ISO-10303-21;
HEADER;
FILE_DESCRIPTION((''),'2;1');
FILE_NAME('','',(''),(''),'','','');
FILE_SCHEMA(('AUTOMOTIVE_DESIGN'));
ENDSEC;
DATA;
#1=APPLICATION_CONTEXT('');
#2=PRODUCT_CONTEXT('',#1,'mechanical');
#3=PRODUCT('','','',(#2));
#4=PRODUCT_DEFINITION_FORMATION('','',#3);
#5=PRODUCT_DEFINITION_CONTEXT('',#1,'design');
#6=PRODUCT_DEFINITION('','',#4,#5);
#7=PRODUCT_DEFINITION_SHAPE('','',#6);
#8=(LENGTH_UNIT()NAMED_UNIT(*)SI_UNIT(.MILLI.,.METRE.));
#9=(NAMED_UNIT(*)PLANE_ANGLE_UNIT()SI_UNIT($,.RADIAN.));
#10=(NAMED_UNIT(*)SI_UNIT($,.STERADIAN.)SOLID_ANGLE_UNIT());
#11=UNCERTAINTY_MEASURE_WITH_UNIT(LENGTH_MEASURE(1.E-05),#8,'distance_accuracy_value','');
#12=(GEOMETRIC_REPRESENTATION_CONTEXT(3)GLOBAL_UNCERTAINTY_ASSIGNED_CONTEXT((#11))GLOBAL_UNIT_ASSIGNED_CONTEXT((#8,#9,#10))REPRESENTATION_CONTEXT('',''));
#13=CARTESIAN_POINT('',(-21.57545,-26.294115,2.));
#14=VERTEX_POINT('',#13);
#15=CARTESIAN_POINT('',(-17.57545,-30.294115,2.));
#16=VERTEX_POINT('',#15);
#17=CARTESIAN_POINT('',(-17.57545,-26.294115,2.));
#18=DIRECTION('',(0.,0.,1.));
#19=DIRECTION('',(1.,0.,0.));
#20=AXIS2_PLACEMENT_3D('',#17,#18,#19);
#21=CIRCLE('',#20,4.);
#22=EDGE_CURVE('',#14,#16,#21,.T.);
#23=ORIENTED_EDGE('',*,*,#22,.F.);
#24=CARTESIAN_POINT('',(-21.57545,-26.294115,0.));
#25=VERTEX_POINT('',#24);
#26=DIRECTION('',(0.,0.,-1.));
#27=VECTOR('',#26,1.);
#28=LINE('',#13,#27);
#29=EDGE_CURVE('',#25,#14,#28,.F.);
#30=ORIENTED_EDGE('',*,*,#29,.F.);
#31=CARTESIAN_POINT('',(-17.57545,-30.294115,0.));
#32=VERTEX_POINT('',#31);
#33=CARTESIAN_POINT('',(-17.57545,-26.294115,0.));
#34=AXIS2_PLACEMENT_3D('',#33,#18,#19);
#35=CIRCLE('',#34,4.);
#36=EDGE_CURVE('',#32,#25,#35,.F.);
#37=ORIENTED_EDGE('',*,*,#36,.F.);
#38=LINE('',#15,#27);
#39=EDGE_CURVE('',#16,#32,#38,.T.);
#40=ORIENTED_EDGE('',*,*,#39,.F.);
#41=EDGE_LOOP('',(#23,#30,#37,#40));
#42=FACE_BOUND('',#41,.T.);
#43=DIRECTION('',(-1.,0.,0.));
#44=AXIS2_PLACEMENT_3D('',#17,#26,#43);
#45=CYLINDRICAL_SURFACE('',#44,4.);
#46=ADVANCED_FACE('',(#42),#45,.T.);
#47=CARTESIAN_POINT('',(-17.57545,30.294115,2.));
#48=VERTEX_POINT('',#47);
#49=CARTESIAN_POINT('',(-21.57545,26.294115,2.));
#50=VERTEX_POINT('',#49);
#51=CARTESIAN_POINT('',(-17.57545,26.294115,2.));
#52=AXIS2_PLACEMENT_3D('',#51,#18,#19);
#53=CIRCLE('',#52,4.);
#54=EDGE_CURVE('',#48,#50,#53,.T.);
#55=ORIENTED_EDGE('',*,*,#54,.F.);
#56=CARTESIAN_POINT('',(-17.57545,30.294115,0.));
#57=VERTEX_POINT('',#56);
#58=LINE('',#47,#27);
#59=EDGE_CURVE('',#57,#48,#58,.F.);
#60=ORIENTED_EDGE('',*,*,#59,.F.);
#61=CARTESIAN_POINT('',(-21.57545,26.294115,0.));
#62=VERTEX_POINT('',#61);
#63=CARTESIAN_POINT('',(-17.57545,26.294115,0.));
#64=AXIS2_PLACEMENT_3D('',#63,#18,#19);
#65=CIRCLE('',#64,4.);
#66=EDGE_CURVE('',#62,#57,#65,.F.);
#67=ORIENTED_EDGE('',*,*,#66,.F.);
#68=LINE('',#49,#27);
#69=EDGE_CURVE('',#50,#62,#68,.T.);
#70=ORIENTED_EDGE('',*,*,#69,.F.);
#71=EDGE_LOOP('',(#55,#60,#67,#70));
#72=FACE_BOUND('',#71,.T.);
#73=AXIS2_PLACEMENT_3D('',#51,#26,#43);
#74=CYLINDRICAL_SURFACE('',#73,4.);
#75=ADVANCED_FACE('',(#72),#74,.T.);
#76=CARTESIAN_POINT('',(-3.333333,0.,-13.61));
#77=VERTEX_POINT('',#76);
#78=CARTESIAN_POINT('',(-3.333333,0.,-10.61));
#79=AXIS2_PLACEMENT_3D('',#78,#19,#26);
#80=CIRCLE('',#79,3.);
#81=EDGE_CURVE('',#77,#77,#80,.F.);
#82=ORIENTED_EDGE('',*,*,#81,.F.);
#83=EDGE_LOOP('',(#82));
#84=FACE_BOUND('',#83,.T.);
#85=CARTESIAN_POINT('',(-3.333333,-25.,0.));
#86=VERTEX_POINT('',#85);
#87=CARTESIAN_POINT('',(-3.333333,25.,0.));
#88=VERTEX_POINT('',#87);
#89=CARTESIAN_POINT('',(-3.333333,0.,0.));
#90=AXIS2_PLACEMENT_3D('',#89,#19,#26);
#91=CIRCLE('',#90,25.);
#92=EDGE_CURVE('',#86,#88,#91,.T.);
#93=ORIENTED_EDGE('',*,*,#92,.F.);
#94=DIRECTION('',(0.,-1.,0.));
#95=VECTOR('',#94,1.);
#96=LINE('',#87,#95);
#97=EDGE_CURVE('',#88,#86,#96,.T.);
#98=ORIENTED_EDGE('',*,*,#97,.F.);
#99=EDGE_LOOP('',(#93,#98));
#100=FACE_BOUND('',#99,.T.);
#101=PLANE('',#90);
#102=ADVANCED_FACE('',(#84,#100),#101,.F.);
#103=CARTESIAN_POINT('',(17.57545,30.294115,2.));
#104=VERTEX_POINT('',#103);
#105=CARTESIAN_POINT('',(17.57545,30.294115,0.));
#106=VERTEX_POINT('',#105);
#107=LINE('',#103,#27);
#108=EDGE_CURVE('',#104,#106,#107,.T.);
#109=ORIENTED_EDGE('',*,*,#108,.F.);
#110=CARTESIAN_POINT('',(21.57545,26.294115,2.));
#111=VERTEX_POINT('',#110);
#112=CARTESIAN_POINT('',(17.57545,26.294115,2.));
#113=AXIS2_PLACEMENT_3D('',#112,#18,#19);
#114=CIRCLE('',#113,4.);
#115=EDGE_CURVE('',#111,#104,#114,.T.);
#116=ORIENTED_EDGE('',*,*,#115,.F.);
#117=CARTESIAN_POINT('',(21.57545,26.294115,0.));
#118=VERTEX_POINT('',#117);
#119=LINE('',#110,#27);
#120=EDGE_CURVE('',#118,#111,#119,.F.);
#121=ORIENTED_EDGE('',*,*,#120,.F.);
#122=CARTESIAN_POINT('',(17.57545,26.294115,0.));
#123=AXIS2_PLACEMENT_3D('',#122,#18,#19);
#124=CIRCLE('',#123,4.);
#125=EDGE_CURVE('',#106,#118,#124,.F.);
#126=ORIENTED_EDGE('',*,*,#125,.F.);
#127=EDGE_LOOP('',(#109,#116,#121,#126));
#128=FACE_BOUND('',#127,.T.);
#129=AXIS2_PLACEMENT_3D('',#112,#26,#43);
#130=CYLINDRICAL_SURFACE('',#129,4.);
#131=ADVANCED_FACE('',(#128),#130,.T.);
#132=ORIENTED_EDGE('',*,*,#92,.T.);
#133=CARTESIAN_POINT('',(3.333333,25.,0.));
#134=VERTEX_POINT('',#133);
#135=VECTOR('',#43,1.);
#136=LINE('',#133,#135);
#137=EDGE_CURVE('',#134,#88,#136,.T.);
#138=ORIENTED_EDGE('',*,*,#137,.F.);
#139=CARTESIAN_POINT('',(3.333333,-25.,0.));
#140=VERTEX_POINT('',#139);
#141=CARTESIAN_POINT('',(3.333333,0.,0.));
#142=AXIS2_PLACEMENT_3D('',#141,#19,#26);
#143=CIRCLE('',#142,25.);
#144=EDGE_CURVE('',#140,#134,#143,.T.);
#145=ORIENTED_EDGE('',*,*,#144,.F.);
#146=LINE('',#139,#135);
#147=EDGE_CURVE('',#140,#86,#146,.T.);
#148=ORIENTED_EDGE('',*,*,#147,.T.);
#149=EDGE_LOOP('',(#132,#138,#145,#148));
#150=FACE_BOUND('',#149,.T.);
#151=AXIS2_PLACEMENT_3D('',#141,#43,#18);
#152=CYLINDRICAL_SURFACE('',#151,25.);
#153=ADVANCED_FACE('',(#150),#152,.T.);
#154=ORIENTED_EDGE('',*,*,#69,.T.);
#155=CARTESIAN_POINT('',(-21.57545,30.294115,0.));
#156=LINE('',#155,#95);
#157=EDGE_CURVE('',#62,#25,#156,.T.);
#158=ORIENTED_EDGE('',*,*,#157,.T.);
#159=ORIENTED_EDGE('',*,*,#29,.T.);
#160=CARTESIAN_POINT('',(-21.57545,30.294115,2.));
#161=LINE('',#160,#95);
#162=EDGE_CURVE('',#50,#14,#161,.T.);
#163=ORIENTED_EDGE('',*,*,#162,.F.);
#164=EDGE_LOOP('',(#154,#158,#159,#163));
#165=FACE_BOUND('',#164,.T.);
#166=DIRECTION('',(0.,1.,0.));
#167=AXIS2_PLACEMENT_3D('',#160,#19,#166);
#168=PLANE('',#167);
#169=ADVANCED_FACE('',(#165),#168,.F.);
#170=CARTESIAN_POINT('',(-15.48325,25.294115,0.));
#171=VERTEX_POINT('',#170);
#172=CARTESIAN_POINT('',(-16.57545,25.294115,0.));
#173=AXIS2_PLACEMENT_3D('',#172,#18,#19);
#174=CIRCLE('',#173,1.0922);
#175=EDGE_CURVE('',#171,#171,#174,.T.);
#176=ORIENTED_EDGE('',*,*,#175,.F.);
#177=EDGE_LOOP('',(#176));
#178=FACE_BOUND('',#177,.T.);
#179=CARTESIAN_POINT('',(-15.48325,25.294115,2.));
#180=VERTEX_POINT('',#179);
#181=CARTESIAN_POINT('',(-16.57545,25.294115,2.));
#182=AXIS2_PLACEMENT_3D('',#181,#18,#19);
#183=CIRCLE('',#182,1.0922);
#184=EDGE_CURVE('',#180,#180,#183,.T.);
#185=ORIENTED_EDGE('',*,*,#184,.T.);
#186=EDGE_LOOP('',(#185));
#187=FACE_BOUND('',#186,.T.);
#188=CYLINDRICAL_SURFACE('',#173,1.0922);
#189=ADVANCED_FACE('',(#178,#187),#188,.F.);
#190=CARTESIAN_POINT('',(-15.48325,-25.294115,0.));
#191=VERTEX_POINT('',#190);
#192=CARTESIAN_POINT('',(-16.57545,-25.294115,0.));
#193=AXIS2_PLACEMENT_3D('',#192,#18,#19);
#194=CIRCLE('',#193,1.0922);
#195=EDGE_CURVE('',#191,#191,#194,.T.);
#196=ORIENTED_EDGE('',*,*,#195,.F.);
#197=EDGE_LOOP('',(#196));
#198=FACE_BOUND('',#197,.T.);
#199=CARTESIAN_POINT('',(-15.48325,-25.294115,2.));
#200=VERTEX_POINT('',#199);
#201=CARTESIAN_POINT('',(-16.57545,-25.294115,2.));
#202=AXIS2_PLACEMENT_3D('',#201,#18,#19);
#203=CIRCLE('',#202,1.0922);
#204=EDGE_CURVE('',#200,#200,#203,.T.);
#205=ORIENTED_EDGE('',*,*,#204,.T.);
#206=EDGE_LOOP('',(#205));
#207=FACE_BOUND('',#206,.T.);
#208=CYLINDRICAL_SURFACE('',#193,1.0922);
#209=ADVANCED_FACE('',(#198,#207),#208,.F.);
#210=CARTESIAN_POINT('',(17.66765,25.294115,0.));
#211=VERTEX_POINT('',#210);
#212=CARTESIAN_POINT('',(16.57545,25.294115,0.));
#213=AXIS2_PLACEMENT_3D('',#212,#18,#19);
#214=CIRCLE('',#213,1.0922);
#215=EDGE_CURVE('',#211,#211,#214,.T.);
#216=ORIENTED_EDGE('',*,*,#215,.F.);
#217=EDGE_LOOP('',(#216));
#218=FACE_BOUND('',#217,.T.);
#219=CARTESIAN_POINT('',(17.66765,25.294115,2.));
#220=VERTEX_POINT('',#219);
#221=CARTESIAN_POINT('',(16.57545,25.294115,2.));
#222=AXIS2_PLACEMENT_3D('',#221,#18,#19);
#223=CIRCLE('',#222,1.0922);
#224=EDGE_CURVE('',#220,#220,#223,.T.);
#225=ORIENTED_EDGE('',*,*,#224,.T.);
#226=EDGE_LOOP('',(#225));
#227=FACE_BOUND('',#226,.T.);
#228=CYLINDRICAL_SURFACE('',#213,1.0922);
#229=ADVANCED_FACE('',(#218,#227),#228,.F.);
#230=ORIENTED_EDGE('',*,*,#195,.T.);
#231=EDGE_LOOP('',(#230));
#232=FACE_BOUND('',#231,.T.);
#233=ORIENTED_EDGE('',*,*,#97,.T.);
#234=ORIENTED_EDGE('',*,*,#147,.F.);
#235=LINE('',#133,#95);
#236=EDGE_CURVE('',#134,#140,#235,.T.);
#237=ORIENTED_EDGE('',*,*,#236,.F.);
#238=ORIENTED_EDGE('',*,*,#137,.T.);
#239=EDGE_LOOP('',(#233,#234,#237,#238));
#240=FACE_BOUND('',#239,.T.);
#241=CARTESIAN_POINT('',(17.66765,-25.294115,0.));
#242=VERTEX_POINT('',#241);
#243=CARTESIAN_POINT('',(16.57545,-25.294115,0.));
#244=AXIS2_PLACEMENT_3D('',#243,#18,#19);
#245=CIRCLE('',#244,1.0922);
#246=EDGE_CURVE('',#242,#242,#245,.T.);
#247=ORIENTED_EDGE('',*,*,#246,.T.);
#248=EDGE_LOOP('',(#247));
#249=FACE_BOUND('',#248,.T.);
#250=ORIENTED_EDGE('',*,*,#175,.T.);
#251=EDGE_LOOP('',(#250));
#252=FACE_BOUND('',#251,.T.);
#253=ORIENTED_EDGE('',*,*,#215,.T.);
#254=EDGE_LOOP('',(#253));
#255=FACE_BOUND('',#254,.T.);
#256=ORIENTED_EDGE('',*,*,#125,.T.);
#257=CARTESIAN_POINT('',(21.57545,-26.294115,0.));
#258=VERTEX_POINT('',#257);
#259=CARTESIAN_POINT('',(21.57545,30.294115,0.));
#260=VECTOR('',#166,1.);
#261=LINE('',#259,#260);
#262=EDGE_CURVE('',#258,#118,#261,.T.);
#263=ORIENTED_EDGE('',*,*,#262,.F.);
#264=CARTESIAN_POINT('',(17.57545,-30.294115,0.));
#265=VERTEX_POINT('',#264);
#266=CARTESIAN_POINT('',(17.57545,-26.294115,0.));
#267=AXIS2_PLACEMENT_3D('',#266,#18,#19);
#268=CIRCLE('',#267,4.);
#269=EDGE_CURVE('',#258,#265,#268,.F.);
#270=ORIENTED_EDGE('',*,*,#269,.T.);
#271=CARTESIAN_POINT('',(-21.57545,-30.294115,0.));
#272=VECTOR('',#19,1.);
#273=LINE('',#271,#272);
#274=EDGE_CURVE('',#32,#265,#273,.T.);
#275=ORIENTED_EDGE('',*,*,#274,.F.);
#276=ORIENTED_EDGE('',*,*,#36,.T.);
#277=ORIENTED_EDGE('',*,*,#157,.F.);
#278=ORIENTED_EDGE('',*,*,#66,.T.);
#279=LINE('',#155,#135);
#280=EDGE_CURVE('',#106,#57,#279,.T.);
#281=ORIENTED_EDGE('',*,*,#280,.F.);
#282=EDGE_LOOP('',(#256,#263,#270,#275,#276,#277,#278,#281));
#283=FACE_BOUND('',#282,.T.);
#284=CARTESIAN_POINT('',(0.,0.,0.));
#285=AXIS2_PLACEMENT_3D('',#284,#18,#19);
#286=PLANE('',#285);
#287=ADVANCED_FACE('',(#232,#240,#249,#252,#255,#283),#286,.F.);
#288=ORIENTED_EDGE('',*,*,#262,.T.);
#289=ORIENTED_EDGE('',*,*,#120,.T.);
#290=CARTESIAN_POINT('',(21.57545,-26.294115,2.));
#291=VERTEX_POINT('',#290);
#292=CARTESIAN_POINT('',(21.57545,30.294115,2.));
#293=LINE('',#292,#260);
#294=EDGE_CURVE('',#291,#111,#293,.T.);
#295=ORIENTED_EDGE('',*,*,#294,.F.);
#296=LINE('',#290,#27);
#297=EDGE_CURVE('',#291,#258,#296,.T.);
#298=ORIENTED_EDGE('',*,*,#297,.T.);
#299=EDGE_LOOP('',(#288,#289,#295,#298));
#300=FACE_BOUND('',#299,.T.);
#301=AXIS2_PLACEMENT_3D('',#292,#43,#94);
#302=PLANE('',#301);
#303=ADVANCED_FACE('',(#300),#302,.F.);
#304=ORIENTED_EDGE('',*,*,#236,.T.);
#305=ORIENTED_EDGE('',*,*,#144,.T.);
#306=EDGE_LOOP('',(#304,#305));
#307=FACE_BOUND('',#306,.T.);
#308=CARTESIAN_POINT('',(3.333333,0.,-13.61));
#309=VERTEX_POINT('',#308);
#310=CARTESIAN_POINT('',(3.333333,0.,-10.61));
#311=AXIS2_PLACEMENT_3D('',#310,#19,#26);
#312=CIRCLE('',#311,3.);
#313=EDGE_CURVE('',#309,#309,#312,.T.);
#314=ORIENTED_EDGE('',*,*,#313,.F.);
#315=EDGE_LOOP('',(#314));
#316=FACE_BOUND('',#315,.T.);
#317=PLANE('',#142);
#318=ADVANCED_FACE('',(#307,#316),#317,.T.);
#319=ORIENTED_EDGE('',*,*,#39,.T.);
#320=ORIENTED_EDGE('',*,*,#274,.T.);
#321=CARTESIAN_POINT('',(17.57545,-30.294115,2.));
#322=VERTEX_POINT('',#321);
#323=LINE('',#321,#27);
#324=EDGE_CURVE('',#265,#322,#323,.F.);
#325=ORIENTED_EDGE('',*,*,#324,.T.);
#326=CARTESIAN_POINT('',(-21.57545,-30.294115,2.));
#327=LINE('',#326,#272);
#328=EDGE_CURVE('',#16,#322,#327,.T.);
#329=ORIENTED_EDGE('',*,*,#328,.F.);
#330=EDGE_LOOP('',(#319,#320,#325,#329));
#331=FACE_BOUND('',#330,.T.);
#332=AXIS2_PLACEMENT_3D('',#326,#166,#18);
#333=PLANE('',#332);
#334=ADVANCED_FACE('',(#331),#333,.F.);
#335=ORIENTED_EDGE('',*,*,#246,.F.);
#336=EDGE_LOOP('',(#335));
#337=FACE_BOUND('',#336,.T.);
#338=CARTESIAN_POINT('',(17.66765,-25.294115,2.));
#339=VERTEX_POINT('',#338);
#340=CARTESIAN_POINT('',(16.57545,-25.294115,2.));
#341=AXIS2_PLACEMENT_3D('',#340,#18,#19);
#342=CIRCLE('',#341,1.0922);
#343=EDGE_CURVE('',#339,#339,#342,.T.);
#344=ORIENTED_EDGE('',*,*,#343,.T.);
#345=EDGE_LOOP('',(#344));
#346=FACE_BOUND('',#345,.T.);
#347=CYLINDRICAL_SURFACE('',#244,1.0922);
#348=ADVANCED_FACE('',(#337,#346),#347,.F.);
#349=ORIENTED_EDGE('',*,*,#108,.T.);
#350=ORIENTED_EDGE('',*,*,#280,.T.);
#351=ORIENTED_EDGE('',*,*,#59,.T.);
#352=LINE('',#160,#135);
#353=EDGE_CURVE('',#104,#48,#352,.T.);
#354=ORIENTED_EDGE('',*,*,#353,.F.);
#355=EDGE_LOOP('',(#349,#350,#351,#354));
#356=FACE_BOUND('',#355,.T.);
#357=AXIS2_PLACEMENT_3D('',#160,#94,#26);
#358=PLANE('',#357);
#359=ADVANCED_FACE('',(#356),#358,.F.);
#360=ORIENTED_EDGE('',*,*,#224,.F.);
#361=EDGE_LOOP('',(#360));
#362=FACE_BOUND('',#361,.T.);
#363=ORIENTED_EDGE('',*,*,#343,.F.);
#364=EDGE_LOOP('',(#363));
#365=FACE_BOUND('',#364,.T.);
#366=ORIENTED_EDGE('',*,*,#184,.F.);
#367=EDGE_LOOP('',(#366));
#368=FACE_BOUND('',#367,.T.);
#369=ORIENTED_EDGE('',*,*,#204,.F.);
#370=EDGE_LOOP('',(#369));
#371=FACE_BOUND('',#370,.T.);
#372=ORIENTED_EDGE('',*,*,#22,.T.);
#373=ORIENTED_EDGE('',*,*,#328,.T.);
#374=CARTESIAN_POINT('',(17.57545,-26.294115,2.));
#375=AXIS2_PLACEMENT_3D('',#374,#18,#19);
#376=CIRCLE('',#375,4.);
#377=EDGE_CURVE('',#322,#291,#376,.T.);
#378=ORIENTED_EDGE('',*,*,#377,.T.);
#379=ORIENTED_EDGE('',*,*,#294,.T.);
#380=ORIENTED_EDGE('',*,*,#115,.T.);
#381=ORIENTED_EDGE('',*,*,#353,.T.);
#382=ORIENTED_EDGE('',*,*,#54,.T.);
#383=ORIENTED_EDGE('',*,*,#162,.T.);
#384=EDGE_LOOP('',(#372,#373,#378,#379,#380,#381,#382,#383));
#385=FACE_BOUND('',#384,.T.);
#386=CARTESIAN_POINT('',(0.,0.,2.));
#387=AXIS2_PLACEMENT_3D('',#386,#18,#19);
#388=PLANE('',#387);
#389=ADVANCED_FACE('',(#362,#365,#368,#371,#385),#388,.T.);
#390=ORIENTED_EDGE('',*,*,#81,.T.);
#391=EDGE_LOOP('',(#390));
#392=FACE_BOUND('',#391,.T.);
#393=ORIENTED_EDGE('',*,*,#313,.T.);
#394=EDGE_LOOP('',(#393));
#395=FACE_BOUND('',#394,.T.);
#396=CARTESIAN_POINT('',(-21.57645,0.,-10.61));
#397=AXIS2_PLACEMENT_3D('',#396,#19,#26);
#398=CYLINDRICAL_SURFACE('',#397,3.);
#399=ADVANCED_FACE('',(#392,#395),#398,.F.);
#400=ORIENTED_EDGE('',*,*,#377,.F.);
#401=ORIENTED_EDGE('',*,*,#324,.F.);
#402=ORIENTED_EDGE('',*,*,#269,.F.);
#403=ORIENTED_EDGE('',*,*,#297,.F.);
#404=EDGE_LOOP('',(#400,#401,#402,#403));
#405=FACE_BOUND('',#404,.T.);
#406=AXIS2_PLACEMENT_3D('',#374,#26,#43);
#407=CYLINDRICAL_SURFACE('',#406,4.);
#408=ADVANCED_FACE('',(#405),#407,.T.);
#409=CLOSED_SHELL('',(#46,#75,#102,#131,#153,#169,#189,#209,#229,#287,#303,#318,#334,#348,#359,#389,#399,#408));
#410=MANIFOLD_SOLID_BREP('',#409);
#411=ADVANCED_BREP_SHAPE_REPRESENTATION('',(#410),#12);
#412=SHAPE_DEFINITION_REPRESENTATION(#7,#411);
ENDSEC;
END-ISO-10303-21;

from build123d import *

# Parameters (mm, degrees)
SKETCH1_W           = 43.1509
SKETCH1_H           = 60.58823
BOSS_EXTRUDE1_DEPTH = 2
FILLET1_R           = 4
SKETCH2_R           = 1.0922
CUT_EXTRUDE1_DEPTH  = 2
BOSS_EXTRUDE2_DEPTH = 3.333333333
CUT_EXTRUDE2_REACH  = 48.51
SKETCH6_R           = 3


with BuildPart() as part:
    # Sketch1 → Boss-Extrude1 (new body)
    with BuildSketch(Plane.XY):
        Rectangle(SKETCH1_W, SKETCH1_H)
    extrude(amount=BOSS_EXTRUDE1_DEPTH)

    # Fillet1
    fillet1_edges = [part.edges().sort_by_distance(p)[0] for p in [
        (21.57545, -30.294115, 1),
        (-21.57545, -30.294115, 1),
        (-21.57545, 30.294115, 1),
        (21.57545, 30.294115, 1),
    ]]
    fillet(fillet1_edges, radius=FILLET1_R)

    # Sketch2 → Cut-Extrude1 (cut)
    with BuildSketch(Plane.XY.offset(2)):
        with Locations((-16.57545, 25.294115)):
            Circle(SKETCH2_R)
        with Locations((16.57545, 25.294115)):
            Circle(SKETCH2_R)
        with Locations((-16.57545, -25.294115)):
            Circle(SKETCH2_R)
        with Locations((16.57545, -25.294115)):
            Circle(SKETCH2_R)
    extrude(amount=-CUT_EXTRUDE1_DEPTH, mode=Mode.SUBTRACT)

    # Sketch5 → Boss-Extrude2 (add, symmetric)
    with BuildSketch(Plane(origin=(0, 0, 0), x_dir=(0, 0, -1), z_dir=(1, 0, 0))):
        with BuildLine():
            Line((0, 25), (0, -25))
            ThreePointArc((0, -25), (25, 0), (0, 25))
        make_face()
    extrude(amount=BOSS_EXTRUDE2_DEPTH, both=True)

    # Sketch6 → Cut-Extrude2 (cut, up to next)
    with BuildSketch(Plane(origin=(3.333333333, 0, 0), x_dir=(0, 0, -1), z_dir=(1, 0, 0)), mode=Mode.PRIVATE) as cut_extrude2_sk1:
        with Locations((10.61, 0)):
            Circle(SKETCH6_R)
    cut_extrude2_tool1 = extrude(cut_extrude2_sk1.sketch, amount=-CUT_EXTRUDE2_REACH, mode=Mode.PRIVATE) & part.part
    add(cut_extrude2_tool1.solids().sort_by_distance((3.333333, 0, -10.61))[0], mode=Mode.SUBTRACT)


solid = part.part
